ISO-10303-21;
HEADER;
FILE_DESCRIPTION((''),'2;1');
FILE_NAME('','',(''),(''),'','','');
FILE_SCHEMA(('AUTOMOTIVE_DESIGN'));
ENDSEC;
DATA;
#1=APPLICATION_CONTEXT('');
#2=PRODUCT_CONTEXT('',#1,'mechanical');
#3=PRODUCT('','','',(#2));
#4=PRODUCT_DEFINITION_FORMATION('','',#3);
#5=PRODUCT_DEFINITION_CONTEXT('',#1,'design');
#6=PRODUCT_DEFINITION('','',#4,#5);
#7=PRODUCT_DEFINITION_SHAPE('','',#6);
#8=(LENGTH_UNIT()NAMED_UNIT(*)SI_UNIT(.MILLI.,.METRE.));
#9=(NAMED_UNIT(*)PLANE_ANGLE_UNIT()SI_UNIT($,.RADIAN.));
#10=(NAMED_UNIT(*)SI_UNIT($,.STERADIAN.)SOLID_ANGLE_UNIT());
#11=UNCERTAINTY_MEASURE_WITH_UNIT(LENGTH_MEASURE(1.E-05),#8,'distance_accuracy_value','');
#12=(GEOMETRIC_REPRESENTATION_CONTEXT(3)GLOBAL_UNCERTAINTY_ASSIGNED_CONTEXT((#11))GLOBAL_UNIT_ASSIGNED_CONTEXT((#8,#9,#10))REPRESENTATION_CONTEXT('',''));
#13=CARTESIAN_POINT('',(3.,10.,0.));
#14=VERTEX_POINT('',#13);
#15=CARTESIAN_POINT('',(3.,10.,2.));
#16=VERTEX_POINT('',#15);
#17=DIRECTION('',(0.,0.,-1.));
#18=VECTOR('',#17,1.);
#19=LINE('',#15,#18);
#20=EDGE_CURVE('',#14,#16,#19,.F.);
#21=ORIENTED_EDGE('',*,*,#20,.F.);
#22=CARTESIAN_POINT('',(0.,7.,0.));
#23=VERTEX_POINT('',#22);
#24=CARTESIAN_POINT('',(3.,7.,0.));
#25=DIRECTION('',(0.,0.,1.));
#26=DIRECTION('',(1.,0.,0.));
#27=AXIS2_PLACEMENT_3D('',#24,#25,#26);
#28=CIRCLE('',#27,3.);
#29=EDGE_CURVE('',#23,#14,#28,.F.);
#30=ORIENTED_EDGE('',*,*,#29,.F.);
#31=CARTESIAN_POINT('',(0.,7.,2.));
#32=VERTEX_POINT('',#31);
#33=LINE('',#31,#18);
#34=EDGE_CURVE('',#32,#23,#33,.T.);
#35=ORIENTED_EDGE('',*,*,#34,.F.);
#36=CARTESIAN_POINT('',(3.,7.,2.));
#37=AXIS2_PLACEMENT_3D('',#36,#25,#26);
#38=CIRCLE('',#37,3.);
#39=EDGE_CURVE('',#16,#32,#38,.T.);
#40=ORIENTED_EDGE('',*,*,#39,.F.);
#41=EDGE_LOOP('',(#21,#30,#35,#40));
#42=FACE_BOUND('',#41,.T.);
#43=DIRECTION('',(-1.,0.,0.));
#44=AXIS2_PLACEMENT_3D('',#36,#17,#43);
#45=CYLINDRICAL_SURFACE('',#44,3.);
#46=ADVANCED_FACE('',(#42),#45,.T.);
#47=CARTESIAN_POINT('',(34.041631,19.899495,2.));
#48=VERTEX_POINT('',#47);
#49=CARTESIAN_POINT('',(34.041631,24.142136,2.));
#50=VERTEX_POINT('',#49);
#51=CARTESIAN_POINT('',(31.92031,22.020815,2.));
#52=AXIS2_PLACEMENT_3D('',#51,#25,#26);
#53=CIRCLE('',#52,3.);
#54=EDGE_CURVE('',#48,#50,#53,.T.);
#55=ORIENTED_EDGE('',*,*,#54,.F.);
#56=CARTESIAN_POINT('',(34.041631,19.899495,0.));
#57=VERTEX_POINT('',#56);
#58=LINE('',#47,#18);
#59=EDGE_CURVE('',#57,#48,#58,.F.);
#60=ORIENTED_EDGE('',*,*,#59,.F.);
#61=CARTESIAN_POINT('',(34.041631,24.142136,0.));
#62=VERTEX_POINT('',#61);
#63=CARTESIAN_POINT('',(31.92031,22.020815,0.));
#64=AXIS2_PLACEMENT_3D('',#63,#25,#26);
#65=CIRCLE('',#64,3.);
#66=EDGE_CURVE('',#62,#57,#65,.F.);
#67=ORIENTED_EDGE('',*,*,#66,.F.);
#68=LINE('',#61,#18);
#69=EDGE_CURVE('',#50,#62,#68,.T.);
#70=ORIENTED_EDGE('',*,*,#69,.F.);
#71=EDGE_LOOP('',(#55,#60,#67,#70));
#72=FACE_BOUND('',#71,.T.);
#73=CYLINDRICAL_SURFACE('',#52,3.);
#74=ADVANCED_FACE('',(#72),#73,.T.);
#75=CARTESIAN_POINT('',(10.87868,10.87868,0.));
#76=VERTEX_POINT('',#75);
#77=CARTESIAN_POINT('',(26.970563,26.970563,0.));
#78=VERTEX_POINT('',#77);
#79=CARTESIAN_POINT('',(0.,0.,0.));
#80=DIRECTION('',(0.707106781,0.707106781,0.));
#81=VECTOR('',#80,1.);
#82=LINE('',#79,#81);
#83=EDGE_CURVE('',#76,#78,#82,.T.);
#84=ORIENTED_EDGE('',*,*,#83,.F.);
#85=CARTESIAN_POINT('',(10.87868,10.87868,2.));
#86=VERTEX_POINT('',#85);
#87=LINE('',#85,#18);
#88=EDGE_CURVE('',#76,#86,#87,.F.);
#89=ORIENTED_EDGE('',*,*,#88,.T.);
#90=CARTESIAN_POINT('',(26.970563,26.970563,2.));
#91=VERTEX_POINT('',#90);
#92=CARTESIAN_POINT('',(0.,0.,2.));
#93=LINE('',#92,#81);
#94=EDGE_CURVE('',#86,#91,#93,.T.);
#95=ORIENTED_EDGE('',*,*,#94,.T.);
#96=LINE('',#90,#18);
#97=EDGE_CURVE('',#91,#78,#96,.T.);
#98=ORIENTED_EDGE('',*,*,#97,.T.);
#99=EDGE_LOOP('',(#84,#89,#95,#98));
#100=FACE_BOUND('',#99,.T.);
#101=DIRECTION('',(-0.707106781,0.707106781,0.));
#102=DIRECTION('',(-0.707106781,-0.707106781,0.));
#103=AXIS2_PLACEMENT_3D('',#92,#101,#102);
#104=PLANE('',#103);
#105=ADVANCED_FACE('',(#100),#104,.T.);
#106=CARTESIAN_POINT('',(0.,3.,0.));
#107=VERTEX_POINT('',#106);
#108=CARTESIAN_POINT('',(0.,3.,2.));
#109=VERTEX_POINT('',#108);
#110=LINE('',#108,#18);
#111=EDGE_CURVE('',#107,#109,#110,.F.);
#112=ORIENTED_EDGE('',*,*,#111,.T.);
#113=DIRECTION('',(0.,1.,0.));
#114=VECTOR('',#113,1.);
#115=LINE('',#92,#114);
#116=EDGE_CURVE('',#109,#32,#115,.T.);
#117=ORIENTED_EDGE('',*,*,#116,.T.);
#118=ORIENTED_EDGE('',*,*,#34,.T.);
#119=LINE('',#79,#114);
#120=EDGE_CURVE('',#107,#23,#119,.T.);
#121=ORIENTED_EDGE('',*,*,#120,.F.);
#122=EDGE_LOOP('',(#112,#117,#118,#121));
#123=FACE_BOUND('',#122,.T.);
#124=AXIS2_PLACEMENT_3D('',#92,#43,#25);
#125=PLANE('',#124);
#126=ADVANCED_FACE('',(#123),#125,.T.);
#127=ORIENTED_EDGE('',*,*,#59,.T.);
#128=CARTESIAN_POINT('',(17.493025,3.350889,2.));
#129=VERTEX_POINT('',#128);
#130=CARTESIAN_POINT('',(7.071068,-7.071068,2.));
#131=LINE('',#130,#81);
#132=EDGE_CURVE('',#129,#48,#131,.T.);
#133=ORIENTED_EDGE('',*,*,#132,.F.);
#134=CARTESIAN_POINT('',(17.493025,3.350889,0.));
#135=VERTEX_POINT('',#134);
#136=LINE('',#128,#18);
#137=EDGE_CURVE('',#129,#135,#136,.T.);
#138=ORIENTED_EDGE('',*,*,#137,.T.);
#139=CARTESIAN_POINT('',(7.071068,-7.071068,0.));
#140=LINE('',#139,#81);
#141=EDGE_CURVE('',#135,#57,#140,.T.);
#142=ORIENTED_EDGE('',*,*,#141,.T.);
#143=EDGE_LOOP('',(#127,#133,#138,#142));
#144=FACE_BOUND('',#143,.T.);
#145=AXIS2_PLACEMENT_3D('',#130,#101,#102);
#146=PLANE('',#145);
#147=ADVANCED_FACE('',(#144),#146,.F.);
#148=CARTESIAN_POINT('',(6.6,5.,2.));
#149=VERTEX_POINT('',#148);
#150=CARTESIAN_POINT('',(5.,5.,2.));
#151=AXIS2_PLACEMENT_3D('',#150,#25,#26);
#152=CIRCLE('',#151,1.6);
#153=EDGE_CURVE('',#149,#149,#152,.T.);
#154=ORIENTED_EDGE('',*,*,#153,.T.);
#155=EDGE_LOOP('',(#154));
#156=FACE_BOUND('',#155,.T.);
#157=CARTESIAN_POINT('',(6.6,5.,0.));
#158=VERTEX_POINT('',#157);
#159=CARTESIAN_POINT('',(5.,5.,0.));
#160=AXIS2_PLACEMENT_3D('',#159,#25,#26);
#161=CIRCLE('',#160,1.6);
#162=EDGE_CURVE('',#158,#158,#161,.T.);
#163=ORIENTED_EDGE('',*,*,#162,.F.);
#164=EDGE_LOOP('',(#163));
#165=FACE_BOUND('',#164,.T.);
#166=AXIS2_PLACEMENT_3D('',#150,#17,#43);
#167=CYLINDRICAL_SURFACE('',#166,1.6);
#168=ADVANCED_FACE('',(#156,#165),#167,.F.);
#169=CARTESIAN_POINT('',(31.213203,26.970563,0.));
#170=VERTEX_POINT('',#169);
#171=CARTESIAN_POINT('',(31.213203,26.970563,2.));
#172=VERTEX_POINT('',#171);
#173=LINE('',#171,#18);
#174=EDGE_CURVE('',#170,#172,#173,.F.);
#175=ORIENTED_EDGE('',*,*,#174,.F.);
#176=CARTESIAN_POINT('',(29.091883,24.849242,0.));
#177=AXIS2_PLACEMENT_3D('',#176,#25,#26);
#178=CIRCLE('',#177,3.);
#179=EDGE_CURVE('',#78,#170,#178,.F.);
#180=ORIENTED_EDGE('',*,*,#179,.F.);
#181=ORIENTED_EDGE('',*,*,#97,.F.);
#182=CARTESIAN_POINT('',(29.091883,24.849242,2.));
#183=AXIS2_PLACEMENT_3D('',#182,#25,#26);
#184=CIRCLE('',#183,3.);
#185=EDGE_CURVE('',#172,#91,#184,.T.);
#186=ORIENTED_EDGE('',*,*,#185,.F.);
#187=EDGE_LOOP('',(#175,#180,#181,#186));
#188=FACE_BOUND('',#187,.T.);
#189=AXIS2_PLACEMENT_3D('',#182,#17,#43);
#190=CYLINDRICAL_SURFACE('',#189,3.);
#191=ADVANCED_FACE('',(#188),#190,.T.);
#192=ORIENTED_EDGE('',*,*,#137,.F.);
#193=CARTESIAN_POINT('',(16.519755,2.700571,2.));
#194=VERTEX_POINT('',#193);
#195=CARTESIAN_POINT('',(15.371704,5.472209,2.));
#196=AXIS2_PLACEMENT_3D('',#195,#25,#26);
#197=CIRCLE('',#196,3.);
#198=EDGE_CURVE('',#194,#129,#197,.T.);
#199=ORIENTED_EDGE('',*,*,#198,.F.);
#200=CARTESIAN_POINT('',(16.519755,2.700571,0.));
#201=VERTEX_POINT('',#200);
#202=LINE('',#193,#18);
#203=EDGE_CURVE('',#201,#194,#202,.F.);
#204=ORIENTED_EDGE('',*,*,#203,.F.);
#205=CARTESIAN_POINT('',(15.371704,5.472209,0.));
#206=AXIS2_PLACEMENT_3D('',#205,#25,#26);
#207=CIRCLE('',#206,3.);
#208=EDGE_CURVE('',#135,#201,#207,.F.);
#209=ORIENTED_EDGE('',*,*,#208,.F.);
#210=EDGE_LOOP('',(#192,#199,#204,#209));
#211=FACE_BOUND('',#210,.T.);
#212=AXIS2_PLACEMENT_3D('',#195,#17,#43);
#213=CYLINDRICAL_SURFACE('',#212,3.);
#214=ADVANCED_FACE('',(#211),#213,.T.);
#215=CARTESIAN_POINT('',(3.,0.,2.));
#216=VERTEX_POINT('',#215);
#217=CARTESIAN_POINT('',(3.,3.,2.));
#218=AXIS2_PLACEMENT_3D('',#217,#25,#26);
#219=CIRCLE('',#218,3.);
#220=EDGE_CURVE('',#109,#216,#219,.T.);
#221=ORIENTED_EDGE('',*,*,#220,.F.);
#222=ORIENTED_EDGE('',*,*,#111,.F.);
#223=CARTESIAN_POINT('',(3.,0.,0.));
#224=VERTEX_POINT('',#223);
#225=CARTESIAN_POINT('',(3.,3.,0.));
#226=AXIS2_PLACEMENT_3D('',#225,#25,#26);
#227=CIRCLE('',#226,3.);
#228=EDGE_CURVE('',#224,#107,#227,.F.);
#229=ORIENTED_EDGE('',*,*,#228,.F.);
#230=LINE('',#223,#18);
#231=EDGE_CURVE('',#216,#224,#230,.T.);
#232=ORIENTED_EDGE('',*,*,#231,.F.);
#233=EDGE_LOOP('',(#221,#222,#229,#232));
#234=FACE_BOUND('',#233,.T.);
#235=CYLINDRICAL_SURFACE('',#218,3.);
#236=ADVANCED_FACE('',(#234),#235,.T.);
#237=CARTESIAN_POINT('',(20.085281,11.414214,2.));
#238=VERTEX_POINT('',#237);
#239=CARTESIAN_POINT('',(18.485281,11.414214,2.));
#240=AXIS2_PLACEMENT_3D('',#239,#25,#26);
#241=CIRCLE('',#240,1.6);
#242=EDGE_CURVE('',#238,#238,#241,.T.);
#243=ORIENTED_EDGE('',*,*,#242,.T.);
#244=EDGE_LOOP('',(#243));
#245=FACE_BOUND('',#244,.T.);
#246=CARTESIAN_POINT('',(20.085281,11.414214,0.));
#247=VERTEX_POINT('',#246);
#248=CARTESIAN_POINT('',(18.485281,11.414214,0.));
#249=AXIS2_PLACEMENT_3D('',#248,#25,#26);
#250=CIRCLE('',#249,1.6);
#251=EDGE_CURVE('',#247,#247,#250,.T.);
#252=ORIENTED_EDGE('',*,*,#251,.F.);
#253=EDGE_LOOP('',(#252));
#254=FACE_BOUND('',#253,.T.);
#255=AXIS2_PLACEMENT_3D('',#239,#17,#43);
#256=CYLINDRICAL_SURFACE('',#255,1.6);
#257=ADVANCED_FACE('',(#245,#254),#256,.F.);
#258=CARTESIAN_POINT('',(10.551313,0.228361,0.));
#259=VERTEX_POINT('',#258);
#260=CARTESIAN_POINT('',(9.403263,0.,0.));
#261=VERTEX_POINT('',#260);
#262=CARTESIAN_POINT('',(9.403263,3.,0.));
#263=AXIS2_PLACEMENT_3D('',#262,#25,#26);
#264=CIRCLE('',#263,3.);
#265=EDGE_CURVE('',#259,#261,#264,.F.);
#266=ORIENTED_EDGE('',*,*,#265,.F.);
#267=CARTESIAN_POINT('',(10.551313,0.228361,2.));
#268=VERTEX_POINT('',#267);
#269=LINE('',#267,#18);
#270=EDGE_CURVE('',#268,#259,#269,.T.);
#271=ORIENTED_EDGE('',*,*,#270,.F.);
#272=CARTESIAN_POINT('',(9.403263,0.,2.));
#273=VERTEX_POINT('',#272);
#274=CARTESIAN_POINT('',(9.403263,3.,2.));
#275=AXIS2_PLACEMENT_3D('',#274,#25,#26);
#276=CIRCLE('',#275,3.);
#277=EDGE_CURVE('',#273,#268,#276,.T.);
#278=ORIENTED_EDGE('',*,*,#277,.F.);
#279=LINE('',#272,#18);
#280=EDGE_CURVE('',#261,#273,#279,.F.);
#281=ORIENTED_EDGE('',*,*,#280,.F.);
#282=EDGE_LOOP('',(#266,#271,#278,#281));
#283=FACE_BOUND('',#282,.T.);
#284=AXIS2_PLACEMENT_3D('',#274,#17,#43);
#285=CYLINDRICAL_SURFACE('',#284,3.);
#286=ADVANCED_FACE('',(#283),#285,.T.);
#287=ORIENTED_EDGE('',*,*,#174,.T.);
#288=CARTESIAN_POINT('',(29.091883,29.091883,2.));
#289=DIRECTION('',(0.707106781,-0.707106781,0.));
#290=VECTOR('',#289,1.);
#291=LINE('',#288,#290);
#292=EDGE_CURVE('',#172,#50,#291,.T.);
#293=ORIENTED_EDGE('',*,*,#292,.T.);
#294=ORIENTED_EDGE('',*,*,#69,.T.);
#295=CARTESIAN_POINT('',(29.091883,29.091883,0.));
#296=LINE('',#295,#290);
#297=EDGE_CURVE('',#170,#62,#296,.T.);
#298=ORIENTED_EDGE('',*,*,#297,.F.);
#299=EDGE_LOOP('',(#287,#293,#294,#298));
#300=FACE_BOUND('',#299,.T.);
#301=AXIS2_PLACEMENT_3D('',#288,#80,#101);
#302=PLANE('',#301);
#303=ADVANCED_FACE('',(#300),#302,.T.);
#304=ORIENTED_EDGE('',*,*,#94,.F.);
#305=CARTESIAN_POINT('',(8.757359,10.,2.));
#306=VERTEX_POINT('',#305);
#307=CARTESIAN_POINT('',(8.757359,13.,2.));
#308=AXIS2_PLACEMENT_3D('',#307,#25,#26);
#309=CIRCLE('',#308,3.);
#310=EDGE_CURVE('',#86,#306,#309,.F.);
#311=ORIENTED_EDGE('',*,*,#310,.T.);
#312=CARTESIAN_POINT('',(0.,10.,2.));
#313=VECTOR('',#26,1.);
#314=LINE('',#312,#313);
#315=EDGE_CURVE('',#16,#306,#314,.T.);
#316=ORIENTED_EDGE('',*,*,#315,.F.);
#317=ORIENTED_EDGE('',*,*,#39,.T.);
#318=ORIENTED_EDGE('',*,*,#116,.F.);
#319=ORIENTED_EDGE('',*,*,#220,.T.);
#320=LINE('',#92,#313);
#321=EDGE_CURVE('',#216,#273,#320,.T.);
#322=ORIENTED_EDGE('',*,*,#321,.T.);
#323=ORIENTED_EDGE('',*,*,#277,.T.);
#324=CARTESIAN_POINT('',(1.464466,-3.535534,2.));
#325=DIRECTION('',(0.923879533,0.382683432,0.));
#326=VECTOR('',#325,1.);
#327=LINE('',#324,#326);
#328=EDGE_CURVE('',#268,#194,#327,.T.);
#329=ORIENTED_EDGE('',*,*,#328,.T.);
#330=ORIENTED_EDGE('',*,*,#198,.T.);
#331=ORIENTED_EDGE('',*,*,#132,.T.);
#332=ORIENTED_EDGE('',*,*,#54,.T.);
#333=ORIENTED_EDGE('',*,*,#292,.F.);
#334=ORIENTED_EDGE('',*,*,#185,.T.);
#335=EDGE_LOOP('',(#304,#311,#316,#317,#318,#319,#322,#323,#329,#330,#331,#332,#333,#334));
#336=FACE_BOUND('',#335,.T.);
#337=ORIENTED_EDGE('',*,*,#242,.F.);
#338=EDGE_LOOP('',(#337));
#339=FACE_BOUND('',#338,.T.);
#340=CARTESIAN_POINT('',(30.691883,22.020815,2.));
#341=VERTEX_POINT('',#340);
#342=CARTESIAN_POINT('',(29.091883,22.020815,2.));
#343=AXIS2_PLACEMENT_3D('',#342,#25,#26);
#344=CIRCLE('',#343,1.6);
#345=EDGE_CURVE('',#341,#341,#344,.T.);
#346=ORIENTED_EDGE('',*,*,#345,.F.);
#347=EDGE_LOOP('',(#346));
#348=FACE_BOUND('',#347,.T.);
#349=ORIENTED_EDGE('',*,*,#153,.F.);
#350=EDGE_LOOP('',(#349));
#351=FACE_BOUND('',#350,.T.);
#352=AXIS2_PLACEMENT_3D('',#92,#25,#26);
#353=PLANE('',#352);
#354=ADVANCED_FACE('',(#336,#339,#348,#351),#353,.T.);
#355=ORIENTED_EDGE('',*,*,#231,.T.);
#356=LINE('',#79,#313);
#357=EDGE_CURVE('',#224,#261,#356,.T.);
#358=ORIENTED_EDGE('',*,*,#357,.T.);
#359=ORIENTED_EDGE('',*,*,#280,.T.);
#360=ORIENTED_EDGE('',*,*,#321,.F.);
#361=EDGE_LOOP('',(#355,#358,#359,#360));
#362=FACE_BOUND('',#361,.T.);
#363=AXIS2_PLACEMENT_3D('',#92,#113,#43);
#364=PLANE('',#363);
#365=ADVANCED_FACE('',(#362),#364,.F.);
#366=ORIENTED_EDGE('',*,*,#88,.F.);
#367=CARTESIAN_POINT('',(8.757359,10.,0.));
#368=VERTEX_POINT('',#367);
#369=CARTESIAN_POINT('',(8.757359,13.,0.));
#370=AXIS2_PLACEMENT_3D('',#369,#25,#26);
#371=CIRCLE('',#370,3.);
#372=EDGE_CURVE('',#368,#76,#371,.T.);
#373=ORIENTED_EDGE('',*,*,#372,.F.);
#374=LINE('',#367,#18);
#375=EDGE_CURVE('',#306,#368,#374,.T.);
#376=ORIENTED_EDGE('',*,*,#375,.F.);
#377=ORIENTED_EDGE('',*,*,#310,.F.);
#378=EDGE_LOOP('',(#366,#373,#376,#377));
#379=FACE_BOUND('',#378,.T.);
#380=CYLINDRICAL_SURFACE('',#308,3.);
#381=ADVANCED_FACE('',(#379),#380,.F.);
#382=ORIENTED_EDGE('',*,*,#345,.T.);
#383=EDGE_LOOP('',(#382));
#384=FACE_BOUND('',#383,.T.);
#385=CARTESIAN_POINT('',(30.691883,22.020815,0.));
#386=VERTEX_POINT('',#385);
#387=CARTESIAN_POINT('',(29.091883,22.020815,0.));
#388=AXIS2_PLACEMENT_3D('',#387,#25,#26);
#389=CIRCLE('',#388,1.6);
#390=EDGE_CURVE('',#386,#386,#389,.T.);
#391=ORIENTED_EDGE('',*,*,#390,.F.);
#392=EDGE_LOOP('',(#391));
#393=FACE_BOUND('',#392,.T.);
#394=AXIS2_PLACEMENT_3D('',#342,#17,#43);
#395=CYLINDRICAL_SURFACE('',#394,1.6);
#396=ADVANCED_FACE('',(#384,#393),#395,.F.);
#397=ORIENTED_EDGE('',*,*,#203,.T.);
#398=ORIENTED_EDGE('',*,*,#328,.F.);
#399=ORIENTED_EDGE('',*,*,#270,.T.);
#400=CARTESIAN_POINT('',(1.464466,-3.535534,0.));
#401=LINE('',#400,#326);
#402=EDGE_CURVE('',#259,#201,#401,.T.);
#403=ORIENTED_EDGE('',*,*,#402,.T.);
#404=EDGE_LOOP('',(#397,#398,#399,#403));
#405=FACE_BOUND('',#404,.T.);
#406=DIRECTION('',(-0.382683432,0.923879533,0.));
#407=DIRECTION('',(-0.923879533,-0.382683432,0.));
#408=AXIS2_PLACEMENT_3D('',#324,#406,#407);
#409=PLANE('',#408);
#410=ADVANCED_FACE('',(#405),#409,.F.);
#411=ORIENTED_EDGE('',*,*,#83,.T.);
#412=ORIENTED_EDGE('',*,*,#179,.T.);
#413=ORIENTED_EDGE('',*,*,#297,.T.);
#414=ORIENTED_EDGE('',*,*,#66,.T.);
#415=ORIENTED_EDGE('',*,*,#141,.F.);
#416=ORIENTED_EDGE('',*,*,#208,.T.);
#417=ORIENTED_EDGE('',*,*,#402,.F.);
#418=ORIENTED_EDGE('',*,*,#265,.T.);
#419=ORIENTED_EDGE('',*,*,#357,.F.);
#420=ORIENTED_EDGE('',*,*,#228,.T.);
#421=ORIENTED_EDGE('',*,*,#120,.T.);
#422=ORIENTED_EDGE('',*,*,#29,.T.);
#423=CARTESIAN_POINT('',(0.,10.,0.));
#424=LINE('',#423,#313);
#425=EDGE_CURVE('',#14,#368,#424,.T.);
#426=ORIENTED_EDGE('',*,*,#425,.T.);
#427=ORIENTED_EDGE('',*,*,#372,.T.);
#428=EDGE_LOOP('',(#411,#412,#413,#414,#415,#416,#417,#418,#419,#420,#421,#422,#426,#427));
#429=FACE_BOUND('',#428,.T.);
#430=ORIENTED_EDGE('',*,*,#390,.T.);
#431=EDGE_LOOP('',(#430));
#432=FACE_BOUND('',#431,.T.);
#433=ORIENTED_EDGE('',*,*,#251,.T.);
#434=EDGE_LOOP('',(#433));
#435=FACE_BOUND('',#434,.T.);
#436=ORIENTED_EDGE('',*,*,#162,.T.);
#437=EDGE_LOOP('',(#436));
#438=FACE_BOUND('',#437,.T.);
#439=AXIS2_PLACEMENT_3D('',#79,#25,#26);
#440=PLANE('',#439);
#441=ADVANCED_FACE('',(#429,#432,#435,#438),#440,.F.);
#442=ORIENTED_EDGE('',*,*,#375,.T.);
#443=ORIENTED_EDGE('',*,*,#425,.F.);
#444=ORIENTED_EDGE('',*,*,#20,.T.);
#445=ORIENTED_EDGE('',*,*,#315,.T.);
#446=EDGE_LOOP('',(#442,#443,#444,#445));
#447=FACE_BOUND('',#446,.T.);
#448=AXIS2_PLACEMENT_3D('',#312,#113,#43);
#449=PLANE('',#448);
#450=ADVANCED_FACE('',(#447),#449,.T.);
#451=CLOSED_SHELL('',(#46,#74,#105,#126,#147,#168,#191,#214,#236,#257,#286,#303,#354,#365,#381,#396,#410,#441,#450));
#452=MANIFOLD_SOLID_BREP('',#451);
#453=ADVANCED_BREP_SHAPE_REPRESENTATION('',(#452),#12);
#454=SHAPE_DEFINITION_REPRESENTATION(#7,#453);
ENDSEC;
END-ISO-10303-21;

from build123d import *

# Parameters (mm, degrees)
SKETCH_1_R      = 1.6
EXTRUDE_2_DEPTH = 2
FILLET_1_R      = 3


with BuildPart() as part:
    # ｽｹｯﾁ1 → ﾎﾞｽ - 押し出し2 (new body)
    with BuildSketch(Plane.XY):
        Polygon((10, 10), (29.091883092, 29.091883092), (36.162950904, 22.02081528), (17.071067812, 2.928932188), (10, 0), (0, 0), (0, 10), align=None)
        with Locations((5, 5)):
            Circle(SKETCH_1_R, mode=Mode.SUBTRACT)
        with Locations((29.091883092, 22.02081528)):
            Circle(SKETCH_1_R, mode=Mode.SUBTRACT)
        with Locations((18.485281374, 11.414213562)):
            Circle(SKETCH_1_R, mode=Mode.SUBTRACT)
    extrude(amount=EXTRUDE_2_DEPTH)

    # ﾌｨﾚｯﾄ1
    fillet_1_edges = [part.edges().sort_by_distance(p)[0] for p in [
        (0, 0, 1),
        (0, 10, 1),
        (10, 10, 1),
        (29.091883092, 29.091883092, 1),
        (36.162950904, 22.02081528, 1),
        (17.071067812, 2.928932188, 1),
        (10, 0, 1),
    ]]
    fillet(fillet_1_edges, radius=FILLET_1_R)


solid = part.part
